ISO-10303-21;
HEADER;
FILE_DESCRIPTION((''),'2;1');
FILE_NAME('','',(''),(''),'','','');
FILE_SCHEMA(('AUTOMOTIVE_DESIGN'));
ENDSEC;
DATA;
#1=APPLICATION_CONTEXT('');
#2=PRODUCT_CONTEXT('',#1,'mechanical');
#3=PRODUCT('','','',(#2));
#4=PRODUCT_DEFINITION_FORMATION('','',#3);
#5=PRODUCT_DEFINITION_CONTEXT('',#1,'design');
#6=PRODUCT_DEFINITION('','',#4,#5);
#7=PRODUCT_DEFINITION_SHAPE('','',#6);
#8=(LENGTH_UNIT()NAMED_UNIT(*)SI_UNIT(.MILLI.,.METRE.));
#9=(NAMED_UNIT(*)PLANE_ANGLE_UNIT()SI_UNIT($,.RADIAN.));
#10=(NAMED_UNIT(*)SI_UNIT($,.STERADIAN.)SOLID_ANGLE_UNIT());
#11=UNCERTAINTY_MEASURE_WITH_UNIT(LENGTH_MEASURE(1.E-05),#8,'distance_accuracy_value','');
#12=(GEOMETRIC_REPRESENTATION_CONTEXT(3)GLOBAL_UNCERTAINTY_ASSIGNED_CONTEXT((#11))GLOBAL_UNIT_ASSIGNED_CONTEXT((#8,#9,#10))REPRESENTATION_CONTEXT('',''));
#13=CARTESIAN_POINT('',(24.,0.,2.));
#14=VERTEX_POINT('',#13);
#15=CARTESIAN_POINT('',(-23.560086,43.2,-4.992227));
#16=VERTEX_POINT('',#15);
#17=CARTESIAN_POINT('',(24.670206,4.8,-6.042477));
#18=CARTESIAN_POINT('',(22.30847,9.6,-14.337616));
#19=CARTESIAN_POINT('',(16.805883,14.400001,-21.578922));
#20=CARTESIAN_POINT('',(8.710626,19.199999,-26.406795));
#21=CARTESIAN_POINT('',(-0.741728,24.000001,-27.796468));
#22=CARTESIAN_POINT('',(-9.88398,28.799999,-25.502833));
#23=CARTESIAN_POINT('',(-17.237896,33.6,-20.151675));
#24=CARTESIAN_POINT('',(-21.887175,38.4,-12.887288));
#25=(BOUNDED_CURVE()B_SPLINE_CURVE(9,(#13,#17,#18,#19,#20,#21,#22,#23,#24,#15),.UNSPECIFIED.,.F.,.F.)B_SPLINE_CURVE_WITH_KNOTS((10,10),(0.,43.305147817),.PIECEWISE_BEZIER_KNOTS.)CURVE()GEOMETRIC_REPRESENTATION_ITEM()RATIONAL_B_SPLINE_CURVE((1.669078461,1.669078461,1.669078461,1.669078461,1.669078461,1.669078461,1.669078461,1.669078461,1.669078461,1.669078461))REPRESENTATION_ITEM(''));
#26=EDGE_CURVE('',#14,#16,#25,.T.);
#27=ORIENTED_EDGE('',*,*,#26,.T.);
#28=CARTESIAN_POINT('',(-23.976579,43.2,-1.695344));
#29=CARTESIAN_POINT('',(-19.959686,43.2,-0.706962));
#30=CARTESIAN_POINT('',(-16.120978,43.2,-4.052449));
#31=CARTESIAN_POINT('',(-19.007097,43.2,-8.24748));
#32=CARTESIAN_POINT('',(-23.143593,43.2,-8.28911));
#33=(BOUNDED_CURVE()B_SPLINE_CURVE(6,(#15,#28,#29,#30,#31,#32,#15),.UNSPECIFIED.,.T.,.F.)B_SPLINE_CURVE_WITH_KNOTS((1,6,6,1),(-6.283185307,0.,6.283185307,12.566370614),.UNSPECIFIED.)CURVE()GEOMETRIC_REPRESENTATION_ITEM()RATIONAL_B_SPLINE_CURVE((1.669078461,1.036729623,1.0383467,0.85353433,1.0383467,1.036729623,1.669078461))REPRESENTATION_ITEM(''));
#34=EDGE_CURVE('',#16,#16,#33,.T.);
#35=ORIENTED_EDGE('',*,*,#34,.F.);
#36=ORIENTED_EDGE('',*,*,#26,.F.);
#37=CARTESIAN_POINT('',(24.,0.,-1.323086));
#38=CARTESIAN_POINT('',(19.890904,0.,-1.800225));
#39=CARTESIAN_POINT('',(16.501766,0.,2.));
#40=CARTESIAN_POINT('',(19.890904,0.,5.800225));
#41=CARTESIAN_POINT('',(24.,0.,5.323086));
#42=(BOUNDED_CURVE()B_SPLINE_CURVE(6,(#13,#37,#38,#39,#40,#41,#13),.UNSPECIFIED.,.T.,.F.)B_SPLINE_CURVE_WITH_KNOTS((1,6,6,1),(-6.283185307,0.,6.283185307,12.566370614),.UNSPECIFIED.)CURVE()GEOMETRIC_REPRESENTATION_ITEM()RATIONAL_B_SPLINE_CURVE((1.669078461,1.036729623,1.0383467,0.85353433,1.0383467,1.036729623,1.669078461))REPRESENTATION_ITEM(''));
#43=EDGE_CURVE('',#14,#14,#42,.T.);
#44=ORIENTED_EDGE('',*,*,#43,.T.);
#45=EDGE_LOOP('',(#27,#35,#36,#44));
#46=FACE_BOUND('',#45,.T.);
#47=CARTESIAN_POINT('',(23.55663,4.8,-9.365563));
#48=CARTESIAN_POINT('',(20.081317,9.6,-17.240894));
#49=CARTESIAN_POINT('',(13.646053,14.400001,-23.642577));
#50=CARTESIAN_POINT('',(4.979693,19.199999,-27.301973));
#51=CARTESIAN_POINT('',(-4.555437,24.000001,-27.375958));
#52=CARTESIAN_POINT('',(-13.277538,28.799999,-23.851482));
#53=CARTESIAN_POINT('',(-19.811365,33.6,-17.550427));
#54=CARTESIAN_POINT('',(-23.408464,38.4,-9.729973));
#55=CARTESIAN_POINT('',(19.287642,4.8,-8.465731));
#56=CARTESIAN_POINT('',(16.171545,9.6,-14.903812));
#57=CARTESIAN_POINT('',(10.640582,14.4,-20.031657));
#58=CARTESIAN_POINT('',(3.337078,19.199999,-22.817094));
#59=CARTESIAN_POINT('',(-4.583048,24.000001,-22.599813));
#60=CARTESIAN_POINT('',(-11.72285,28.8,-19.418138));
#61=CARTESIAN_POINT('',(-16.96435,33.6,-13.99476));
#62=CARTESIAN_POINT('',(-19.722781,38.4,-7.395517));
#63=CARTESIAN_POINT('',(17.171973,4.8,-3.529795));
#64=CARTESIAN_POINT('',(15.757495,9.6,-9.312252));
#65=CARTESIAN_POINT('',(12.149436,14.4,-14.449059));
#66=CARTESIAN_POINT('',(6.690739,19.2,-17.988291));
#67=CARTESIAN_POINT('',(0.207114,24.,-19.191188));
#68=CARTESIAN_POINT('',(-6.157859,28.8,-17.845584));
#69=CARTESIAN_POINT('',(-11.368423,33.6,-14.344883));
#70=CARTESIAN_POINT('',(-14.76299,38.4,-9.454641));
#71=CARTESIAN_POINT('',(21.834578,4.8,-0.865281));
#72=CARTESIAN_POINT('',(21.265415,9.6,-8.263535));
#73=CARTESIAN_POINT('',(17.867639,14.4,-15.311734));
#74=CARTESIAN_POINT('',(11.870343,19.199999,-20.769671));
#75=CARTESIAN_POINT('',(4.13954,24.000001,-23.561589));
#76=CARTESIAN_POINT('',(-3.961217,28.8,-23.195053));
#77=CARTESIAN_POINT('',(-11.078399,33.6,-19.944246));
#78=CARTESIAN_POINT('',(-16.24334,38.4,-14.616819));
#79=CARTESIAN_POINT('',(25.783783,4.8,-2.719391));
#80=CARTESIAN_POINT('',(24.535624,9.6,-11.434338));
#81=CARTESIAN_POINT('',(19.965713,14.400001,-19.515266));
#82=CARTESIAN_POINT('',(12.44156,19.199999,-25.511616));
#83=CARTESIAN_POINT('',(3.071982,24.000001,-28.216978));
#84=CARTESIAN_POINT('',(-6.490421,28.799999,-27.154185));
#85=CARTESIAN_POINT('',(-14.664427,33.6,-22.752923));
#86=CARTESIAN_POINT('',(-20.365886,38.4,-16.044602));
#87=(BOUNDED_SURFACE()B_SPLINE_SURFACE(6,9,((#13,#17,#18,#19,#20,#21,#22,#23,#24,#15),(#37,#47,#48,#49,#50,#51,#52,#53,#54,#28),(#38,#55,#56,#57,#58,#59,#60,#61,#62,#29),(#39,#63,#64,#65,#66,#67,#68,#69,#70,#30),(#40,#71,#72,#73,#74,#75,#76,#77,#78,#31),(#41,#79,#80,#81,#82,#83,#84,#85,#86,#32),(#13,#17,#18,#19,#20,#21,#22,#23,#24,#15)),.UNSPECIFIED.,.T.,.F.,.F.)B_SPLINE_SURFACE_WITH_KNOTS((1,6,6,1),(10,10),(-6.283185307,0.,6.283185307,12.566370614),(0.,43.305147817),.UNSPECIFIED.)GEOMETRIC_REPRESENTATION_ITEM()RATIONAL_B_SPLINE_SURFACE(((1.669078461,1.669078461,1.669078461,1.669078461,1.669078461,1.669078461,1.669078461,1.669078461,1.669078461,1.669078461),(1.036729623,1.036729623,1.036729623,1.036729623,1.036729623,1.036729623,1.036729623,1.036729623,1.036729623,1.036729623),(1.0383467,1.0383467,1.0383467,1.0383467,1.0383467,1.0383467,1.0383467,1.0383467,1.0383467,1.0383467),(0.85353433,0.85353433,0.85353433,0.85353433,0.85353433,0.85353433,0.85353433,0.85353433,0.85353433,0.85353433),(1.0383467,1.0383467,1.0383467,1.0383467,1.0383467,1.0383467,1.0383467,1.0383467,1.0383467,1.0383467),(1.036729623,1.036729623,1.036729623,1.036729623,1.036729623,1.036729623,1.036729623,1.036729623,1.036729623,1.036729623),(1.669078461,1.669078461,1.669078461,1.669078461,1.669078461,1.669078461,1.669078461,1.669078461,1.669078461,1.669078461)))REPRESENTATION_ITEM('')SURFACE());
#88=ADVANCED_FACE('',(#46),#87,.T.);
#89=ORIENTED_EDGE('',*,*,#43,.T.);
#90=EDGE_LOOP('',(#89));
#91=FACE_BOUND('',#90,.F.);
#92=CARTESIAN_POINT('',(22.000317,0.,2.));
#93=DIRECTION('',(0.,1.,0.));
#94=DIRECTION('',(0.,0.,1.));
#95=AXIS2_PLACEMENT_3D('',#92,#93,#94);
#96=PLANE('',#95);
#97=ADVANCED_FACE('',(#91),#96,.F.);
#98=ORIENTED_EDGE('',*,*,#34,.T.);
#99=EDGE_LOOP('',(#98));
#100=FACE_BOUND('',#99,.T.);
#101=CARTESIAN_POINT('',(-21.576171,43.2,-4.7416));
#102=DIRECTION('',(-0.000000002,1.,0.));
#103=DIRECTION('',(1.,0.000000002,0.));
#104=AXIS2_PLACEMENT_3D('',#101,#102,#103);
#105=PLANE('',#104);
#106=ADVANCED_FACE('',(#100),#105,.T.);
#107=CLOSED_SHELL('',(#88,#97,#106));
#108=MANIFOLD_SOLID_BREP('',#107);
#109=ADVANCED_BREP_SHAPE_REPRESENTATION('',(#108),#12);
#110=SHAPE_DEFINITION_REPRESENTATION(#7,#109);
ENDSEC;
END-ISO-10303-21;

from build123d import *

# Parameters (mm, degrees)
SWEEP1_PITCH       = 90
SWEEP1_HEIGHT      = 43.2
SWEEP1_RADIUS      = 15
SWEEP1_START_ANGLE = 90
SKETCH1_R          = 2


with BuildPart() as part:
    # Sweep1: sweep along a helix
    with BuildLine() as sweep1_path:
        add(Helix(SWEEP1_PITCH, SWEEP1_HEIGHT, SWEEP1_RADIUS, center=(0, 0, 0), direction=(0, 1, 0), mode=Mode.PRIVATE).rotate(Axis((0, 0, 0), (0, 1, 0)), SWEEP1_START_ANGLE))
    # Sketch1 → Sweep1 (sweep)
    with BuildSketch(Plane(origin=(0, 0, 0), x_dir=(1, 0, 0), z_dir=(0, 1, 0))):
        with Locations((22, -2)):
            Circle(SKETCH1_R)
    sweep(path=sweep1_path.line, is_frenet=True)


solid = part.part
